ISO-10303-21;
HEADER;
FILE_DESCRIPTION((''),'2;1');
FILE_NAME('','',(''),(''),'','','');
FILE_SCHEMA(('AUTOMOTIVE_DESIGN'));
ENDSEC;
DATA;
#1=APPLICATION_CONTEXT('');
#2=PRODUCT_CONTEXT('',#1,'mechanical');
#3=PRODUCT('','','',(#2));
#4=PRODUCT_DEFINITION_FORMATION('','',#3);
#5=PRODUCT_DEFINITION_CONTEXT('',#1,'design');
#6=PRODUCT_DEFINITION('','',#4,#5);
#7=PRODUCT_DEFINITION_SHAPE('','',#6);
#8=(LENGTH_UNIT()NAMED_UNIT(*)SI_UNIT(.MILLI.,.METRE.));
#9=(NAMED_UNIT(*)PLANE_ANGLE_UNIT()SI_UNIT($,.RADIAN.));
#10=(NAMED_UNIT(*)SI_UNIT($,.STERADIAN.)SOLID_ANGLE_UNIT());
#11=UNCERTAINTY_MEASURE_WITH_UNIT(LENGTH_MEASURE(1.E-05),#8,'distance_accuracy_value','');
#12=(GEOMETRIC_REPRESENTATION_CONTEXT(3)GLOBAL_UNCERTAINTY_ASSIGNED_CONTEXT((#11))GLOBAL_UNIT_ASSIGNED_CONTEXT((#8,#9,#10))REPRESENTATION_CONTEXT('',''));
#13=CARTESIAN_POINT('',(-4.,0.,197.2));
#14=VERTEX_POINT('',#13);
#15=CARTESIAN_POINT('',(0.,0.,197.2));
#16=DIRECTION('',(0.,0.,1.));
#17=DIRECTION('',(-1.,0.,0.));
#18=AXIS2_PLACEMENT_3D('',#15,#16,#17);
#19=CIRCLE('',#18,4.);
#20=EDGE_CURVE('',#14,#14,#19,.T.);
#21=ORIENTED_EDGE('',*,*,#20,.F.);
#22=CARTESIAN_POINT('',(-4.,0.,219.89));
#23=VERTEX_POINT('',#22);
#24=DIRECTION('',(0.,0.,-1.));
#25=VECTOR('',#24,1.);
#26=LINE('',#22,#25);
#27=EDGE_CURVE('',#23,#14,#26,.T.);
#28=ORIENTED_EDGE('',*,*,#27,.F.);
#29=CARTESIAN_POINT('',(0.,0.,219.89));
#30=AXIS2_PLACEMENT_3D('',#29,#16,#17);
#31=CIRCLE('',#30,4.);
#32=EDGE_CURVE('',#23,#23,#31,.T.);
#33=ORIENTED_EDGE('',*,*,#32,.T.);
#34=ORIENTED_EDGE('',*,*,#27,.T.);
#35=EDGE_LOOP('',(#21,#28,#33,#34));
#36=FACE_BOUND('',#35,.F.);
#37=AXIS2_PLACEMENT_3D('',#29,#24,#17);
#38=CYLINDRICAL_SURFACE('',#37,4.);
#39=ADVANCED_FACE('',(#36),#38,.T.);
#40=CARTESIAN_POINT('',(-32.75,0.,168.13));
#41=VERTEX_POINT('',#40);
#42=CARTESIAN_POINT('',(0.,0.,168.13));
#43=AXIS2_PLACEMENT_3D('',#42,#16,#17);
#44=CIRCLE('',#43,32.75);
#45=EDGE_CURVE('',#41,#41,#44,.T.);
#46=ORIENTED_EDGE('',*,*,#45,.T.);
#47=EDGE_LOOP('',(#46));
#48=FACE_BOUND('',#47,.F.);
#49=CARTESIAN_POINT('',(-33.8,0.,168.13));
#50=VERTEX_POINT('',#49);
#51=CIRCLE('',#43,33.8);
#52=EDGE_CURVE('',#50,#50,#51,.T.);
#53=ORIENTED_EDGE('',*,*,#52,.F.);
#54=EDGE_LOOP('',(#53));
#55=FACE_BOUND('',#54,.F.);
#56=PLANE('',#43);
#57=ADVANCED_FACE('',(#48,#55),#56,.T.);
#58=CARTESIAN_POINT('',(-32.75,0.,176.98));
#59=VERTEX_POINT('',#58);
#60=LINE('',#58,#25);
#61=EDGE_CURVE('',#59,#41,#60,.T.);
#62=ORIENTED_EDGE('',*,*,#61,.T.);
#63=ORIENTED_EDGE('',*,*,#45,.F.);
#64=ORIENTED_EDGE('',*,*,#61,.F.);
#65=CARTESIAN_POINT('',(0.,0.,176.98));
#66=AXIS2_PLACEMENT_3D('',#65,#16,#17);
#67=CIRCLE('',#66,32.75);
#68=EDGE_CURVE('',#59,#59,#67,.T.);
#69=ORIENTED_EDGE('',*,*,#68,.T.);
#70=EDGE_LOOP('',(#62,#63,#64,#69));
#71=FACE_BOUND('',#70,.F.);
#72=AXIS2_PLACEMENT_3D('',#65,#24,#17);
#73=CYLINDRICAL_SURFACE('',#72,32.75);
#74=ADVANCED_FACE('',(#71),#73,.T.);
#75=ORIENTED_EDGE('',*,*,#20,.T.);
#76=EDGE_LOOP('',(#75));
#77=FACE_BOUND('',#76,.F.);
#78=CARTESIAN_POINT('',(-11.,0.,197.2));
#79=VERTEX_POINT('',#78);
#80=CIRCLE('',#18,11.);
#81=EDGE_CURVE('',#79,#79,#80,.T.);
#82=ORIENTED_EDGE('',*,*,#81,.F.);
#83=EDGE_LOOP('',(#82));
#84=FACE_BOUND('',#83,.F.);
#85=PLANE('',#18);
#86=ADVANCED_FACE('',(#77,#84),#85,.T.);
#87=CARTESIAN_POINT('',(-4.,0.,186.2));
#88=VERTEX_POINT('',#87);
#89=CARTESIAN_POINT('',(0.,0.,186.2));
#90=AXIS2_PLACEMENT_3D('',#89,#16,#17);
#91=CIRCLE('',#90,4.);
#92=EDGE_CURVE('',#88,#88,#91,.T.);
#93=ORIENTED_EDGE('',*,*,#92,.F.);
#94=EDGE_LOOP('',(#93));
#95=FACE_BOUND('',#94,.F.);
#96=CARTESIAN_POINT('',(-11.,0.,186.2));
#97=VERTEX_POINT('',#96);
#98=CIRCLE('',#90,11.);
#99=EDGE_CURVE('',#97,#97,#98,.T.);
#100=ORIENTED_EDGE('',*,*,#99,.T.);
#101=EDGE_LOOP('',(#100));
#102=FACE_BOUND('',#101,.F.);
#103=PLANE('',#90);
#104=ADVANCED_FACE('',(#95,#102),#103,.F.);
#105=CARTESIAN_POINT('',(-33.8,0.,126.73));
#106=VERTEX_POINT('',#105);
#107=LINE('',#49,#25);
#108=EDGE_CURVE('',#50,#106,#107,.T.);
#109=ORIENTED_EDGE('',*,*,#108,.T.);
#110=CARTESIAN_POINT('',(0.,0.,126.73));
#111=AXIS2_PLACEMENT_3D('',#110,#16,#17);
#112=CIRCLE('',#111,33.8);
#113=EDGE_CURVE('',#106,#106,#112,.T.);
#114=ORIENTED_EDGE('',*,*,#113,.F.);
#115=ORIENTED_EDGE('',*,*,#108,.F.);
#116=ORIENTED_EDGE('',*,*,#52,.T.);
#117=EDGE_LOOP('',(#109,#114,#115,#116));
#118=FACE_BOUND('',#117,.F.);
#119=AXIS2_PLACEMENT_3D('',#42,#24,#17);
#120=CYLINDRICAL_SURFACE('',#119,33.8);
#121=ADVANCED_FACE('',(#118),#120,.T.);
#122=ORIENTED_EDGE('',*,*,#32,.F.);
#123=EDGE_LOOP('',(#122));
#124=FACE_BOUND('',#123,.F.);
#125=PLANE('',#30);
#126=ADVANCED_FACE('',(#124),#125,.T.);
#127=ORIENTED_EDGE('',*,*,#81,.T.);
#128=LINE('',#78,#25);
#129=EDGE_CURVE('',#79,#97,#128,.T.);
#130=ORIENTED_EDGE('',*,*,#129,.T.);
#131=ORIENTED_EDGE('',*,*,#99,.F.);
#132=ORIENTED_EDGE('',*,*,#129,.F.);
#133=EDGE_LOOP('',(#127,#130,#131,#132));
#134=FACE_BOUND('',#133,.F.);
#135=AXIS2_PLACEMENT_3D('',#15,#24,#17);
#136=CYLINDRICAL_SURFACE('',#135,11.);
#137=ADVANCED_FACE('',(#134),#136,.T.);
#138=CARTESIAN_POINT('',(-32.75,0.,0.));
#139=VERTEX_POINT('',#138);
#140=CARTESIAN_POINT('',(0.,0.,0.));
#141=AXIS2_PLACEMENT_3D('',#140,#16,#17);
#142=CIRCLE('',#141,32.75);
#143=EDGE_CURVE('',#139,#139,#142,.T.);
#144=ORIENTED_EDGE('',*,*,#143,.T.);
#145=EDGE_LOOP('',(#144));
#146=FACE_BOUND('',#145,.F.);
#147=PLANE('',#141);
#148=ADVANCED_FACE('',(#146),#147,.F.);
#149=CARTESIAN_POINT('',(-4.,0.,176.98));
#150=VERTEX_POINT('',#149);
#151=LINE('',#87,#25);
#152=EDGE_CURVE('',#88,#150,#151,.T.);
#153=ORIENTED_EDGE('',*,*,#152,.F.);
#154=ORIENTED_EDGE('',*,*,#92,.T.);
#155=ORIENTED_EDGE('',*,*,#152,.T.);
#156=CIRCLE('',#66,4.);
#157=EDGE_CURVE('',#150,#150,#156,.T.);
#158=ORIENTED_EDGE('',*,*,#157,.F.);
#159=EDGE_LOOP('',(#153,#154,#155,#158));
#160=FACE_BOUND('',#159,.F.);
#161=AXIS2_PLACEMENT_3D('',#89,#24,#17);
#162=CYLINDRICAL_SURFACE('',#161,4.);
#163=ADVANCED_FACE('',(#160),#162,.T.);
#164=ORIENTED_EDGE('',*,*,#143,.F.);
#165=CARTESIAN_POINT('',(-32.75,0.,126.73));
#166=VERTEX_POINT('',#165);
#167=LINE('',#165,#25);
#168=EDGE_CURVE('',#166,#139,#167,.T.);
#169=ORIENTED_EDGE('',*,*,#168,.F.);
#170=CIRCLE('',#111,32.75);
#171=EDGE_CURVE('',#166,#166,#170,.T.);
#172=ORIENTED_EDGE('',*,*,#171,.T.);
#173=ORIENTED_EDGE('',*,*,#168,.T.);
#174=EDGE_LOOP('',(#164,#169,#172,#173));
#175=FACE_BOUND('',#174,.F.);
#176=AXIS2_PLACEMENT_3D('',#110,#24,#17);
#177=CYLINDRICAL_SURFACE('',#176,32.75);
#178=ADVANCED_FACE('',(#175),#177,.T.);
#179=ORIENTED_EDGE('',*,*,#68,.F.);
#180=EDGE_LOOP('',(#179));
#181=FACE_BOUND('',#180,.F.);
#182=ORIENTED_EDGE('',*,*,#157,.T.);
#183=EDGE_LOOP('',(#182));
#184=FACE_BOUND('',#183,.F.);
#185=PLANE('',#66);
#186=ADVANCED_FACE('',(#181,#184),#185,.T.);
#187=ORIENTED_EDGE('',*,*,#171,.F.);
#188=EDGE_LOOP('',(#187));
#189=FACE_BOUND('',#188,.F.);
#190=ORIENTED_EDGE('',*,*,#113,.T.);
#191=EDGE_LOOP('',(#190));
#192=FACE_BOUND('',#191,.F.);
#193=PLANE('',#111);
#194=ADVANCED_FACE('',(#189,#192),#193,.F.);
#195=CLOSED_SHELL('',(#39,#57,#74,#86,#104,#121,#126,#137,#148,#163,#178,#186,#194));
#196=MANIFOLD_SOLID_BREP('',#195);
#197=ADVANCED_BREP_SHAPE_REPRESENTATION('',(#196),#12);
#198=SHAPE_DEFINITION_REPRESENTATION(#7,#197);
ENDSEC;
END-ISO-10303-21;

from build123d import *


with BuildPart() as part:
    # Sketch → Revolution (revolve)
    with BuildSketch(Plane.XZ):
        Polygon((-32.75, 176.98), (-32.75, 168.13), (-33.8, 168.13), (-33.8, 126.73), (-32.75, 126.73), (-32.75, 0), (0, 0), (0, 219.89), (-4, 219.89), (-4, 197.2), (-11, 197.2), (-11, 186.2), (-4, 186.2), (-4, 176.98), align=None)
    revolve(axis=Axis((0, 0, 0), (0, 0, 1)))


solid = part.part
